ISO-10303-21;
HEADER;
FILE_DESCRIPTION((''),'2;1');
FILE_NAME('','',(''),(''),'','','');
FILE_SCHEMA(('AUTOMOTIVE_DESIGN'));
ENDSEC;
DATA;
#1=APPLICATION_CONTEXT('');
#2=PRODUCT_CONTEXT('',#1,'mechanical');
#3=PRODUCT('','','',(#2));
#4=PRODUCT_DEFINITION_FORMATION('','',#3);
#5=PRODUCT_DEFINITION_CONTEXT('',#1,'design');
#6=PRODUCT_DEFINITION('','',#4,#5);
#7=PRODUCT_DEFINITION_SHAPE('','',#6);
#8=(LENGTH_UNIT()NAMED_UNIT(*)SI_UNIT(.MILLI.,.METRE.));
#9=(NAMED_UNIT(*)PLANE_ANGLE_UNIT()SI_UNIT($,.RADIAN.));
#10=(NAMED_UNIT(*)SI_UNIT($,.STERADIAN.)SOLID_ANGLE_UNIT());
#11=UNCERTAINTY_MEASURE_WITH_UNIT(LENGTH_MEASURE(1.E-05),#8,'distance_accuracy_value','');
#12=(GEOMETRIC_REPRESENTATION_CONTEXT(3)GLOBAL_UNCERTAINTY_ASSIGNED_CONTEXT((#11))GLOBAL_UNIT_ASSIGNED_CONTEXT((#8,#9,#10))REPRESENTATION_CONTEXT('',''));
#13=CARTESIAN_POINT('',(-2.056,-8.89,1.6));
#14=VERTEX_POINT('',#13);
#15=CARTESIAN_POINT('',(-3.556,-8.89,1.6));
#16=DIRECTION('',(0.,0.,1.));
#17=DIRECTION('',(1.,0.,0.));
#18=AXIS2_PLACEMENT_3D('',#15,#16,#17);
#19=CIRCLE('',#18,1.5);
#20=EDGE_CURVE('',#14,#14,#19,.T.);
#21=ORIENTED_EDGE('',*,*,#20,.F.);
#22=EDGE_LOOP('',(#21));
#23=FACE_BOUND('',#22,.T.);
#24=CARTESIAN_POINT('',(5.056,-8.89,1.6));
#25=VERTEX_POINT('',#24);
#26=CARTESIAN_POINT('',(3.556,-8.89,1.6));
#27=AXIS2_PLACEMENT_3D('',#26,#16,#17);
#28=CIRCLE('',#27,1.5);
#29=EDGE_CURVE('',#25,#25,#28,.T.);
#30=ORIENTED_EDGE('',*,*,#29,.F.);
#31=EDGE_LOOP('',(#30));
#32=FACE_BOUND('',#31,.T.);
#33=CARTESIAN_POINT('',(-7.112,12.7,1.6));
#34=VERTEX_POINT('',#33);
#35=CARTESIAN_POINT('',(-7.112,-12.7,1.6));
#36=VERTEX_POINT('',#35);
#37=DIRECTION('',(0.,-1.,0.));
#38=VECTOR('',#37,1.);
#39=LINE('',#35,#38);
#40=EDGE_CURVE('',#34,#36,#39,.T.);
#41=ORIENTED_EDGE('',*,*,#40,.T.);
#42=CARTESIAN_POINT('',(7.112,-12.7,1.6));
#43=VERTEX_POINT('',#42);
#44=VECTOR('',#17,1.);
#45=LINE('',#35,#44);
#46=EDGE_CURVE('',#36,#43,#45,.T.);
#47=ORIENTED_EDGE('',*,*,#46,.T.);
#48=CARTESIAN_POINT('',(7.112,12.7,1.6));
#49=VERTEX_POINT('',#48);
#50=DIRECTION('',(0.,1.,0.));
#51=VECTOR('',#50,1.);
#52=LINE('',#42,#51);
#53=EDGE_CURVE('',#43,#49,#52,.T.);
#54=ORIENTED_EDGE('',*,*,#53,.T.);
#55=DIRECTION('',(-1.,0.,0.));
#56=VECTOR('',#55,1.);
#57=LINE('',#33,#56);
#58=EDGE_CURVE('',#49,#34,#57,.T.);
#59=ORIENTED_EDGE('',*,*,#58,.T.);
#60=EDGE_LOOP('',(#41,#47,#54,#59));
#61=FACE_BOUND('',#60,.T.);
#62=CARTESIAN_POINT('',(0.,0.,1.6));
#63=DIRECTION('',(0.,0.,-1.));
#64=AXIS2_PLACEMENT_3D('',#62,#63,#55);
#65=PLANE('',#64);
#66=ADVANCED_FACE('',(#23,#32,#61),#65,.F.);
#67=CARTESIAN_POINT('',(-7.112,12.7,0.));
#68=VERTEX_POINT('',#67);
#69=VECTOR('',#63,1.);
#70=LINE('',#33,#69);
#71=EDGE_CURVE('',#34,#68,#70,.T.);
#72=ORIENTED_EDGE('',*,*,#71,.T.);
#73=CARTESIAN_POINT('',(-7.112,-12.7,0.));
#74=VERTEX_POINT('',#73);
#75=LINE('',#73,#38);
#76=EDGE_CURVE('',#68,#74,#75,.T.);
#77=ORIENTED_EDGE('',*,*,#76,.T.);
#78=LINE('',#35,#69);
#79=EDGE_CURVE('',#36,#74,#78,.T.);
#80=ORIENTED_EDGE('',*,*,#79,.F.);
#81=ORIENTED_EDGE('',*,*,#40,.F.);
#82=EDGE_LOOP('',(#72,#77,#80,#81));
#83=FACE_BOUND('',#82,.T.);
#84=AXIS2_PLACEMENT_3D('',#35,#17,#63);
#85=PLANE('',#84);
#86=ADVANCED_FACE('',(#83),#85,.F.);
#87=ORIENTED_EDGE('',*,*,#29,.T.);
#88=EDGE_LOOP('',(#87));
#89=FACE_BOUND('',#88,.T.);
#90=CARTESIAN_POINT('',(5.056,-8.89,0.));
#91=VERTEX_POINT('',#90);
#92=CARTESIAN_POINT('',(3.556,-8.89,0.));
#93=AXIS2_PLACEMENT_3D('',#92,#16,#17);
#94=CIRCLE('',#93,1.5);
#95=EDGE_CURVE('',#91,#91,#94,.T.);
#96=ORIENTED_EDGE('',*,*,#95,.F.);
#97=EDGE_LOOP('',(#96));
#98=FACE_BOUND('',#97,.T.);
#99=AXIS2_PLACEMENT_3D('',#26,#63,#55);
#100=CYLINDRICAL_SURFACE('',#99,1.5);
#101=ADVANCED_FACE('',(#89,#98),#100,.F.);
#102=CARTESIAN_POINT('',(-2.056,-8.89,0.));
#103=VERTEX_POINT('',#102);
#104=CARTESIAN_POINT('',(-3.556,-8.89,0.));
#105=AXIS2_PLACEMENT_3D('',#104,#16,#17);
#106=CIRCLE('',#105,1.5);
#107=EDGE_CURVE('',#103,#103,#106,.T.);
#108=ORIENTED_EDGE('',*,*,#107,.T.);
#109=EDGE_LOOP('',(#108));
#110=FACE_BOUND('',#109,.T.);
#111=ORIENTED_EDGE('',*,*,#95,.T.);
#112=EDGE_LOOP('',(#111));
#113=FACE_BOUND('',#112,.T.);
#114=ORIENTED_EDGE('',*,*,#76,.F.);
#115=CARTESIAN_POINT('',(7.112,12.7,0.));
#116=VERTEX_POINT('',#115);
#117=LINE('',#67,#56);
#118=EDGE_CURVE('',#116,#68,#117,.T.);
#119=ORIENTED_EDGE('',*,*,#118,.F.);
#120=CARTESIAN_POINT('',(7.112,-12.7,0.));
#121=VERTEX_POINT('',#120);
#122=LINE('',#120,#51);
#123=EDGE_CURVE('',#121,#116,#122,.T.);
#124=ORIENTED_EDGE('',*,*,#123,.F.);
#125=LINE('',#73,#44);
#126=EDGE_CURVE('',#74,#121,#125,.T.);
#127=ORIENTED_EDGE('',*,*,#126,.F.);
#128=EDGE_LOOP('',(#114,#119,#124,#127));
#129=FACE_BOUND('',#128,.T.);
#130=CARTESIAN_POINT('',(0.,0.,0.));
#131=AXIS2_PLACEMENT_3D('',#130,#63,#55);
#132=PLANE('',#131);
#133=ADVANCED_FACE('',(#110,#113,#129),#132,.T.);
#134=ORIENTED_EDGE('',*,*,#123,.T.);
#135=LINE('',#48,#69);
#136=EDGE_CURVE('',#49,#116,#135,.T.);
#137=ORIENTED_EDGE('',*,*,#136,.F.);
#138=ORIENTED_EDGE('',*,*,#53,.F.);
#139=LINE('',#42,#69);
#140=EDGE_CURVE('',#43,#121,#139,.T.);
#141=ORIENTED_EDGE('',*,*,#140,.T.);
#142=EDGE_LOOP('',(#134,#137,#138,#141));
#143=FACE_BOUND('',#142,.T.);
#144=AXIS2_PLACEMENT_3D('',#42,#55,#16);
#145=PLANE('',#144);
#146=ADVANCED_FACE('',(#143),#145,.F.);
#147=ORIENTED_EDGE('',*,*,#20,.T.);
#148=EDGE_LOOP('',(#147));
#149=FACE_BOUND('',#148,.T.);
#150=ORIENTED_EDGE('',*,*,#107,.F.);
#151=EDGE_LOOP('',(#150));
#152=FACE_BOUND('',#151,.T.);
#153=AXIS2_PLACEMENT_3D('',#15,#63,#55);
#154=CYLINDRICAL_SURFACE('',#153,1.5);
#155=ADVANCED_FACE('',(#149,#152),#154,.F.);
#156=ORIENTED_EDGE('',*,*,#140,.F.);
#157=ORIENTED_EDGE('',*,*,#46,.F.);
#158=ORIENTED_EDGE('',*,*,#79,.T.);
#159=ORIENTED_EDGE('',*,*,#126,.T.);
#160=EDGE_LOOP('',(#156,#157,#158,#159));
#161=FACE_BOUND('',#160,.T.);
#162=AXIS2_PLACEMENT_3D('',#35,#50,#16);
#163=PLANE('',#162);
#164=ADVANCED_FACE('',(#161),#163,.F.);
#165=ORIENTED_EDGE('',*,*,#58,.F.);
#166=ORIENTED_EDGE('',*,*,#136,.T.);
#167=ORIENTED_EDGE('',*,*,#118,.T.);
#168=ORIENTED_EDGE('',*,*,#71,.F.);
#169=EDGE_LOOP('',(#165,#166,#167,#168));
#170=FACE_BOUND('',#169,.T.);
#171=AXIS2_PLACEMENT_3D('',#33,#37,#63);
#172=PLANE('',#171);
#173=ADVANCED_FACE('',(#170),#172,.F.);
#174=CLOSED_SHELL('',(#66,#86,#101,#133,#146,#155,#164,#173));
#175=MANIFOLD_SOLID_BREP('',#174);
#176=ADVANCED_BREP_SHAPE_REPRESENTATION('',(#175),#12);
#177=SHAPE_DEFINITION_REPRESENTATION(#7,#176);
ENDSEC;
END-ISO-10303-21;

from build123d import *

# Parameters (mm, degrees)
SKETCH1_W           = 14.224
SKETCH1_H           = 25.4
SKETCH1_R           = 1.5
BOSS_EXTRUDE1_DEPTH = 1.6


with BuildPart() as part:
    # Sketch1 → Boss-Extrude1 (new body)
    with BuildSketch(Plane.XY):
        Rectangle(SKETCH1_W, SKETCH1_H)
        with Locations((-3.556, -8.89)):
            Circle(SKETCH1_R, mode=Mode.SUBTRACT)
        with Locations((3.556, -8.89)):
            Circle(SKETCH1_R, mode=Mode.SUBTRACT)
    extrude(amount=BOSS_EXTRUDE1_DEPTH)


solid = part.part
